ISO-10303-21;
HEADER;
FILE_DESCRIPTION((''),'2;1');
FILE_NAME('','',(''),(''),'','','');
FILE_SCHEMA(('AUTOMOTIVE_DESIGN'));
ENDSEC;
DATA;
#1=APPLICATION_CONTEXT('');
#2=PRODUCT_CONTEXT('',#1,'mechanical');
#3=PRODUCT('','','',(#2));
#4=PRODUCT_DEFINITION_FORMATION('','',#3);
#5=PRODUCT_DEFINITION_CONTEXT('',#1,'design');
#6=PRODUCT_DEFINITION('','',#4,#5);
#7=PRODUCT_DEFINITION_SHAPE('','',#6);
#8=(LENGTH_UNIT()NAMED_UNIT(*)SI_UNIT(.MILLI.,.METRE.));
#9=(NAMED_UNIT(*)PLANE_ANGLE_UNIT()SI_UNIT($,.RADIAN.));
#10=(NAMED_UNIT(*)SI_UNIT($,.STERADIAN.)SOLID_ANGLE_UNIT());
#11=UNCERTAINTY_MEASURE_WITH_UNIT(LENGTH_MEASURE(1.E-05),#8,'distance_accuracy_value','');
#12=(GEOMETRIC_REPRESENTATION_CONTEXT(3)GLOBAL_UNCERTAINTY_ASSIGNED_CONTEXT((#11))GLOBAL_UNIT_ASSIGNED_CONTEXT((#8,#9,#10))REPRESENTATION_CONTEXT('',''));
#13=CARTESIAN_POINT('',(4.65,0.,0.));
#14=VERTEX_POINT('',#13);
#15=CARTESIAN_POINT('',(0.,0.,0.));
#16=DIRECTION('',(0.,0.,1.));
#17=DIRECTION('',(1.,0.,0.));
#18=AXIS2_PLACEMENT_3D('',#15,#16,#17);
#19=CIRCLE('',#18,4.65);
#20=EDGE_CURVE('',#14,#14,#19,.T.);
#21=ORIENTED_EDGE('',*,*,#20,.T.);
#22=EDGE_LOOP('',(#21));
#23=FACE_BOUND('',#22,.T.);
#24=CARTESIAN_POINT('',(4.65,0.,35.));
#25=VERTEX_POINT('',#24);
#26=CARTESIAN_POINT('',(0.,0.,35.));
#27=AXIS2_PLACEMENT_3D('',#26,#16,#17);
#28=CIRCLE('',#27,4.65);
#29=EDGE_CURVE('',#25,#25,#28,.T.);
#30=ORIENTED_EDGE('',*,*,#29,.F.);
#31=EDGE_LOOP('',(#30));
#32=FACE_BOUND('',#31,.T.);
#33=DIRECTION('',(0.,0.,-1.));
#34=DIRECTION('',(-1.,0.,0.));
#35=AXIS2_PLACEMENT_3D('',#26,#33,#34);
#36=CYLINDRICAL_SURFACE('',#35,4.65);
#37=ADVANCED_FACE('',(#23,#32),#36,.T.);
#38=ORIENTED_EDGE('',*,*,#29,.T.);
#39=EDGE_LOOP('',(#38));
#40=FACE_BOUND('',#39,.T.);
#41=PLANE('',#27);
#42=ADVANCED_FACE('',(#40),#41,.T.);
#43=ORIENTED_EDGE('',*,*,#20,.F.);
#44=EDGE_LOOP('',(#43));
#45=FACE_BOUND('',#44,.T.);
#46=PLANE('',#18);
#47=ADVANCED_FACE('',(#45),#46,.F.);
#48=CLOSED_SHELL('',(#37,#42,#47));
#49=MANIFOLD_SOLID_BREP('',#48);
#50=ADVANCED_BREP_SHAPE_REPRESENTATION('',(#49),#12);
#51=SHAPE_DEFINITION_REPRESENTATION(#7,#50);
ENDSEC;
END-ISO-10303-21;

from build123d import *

# Parameters (mm, degrees)
CROQUIS1_R              = 4.65
SALIENTE_EXTRUIR1_DEPTH = 35


with BuildPart() as part:
    # Croquis1 → Saliente-Extruir1 (new body)
    with BuildSketch(Plane.XY):
        Circle(CROQUIS1_R)
    extrude(amount=SALIENTE_EXTRUIR1_DEPTH)


solid = part.part
